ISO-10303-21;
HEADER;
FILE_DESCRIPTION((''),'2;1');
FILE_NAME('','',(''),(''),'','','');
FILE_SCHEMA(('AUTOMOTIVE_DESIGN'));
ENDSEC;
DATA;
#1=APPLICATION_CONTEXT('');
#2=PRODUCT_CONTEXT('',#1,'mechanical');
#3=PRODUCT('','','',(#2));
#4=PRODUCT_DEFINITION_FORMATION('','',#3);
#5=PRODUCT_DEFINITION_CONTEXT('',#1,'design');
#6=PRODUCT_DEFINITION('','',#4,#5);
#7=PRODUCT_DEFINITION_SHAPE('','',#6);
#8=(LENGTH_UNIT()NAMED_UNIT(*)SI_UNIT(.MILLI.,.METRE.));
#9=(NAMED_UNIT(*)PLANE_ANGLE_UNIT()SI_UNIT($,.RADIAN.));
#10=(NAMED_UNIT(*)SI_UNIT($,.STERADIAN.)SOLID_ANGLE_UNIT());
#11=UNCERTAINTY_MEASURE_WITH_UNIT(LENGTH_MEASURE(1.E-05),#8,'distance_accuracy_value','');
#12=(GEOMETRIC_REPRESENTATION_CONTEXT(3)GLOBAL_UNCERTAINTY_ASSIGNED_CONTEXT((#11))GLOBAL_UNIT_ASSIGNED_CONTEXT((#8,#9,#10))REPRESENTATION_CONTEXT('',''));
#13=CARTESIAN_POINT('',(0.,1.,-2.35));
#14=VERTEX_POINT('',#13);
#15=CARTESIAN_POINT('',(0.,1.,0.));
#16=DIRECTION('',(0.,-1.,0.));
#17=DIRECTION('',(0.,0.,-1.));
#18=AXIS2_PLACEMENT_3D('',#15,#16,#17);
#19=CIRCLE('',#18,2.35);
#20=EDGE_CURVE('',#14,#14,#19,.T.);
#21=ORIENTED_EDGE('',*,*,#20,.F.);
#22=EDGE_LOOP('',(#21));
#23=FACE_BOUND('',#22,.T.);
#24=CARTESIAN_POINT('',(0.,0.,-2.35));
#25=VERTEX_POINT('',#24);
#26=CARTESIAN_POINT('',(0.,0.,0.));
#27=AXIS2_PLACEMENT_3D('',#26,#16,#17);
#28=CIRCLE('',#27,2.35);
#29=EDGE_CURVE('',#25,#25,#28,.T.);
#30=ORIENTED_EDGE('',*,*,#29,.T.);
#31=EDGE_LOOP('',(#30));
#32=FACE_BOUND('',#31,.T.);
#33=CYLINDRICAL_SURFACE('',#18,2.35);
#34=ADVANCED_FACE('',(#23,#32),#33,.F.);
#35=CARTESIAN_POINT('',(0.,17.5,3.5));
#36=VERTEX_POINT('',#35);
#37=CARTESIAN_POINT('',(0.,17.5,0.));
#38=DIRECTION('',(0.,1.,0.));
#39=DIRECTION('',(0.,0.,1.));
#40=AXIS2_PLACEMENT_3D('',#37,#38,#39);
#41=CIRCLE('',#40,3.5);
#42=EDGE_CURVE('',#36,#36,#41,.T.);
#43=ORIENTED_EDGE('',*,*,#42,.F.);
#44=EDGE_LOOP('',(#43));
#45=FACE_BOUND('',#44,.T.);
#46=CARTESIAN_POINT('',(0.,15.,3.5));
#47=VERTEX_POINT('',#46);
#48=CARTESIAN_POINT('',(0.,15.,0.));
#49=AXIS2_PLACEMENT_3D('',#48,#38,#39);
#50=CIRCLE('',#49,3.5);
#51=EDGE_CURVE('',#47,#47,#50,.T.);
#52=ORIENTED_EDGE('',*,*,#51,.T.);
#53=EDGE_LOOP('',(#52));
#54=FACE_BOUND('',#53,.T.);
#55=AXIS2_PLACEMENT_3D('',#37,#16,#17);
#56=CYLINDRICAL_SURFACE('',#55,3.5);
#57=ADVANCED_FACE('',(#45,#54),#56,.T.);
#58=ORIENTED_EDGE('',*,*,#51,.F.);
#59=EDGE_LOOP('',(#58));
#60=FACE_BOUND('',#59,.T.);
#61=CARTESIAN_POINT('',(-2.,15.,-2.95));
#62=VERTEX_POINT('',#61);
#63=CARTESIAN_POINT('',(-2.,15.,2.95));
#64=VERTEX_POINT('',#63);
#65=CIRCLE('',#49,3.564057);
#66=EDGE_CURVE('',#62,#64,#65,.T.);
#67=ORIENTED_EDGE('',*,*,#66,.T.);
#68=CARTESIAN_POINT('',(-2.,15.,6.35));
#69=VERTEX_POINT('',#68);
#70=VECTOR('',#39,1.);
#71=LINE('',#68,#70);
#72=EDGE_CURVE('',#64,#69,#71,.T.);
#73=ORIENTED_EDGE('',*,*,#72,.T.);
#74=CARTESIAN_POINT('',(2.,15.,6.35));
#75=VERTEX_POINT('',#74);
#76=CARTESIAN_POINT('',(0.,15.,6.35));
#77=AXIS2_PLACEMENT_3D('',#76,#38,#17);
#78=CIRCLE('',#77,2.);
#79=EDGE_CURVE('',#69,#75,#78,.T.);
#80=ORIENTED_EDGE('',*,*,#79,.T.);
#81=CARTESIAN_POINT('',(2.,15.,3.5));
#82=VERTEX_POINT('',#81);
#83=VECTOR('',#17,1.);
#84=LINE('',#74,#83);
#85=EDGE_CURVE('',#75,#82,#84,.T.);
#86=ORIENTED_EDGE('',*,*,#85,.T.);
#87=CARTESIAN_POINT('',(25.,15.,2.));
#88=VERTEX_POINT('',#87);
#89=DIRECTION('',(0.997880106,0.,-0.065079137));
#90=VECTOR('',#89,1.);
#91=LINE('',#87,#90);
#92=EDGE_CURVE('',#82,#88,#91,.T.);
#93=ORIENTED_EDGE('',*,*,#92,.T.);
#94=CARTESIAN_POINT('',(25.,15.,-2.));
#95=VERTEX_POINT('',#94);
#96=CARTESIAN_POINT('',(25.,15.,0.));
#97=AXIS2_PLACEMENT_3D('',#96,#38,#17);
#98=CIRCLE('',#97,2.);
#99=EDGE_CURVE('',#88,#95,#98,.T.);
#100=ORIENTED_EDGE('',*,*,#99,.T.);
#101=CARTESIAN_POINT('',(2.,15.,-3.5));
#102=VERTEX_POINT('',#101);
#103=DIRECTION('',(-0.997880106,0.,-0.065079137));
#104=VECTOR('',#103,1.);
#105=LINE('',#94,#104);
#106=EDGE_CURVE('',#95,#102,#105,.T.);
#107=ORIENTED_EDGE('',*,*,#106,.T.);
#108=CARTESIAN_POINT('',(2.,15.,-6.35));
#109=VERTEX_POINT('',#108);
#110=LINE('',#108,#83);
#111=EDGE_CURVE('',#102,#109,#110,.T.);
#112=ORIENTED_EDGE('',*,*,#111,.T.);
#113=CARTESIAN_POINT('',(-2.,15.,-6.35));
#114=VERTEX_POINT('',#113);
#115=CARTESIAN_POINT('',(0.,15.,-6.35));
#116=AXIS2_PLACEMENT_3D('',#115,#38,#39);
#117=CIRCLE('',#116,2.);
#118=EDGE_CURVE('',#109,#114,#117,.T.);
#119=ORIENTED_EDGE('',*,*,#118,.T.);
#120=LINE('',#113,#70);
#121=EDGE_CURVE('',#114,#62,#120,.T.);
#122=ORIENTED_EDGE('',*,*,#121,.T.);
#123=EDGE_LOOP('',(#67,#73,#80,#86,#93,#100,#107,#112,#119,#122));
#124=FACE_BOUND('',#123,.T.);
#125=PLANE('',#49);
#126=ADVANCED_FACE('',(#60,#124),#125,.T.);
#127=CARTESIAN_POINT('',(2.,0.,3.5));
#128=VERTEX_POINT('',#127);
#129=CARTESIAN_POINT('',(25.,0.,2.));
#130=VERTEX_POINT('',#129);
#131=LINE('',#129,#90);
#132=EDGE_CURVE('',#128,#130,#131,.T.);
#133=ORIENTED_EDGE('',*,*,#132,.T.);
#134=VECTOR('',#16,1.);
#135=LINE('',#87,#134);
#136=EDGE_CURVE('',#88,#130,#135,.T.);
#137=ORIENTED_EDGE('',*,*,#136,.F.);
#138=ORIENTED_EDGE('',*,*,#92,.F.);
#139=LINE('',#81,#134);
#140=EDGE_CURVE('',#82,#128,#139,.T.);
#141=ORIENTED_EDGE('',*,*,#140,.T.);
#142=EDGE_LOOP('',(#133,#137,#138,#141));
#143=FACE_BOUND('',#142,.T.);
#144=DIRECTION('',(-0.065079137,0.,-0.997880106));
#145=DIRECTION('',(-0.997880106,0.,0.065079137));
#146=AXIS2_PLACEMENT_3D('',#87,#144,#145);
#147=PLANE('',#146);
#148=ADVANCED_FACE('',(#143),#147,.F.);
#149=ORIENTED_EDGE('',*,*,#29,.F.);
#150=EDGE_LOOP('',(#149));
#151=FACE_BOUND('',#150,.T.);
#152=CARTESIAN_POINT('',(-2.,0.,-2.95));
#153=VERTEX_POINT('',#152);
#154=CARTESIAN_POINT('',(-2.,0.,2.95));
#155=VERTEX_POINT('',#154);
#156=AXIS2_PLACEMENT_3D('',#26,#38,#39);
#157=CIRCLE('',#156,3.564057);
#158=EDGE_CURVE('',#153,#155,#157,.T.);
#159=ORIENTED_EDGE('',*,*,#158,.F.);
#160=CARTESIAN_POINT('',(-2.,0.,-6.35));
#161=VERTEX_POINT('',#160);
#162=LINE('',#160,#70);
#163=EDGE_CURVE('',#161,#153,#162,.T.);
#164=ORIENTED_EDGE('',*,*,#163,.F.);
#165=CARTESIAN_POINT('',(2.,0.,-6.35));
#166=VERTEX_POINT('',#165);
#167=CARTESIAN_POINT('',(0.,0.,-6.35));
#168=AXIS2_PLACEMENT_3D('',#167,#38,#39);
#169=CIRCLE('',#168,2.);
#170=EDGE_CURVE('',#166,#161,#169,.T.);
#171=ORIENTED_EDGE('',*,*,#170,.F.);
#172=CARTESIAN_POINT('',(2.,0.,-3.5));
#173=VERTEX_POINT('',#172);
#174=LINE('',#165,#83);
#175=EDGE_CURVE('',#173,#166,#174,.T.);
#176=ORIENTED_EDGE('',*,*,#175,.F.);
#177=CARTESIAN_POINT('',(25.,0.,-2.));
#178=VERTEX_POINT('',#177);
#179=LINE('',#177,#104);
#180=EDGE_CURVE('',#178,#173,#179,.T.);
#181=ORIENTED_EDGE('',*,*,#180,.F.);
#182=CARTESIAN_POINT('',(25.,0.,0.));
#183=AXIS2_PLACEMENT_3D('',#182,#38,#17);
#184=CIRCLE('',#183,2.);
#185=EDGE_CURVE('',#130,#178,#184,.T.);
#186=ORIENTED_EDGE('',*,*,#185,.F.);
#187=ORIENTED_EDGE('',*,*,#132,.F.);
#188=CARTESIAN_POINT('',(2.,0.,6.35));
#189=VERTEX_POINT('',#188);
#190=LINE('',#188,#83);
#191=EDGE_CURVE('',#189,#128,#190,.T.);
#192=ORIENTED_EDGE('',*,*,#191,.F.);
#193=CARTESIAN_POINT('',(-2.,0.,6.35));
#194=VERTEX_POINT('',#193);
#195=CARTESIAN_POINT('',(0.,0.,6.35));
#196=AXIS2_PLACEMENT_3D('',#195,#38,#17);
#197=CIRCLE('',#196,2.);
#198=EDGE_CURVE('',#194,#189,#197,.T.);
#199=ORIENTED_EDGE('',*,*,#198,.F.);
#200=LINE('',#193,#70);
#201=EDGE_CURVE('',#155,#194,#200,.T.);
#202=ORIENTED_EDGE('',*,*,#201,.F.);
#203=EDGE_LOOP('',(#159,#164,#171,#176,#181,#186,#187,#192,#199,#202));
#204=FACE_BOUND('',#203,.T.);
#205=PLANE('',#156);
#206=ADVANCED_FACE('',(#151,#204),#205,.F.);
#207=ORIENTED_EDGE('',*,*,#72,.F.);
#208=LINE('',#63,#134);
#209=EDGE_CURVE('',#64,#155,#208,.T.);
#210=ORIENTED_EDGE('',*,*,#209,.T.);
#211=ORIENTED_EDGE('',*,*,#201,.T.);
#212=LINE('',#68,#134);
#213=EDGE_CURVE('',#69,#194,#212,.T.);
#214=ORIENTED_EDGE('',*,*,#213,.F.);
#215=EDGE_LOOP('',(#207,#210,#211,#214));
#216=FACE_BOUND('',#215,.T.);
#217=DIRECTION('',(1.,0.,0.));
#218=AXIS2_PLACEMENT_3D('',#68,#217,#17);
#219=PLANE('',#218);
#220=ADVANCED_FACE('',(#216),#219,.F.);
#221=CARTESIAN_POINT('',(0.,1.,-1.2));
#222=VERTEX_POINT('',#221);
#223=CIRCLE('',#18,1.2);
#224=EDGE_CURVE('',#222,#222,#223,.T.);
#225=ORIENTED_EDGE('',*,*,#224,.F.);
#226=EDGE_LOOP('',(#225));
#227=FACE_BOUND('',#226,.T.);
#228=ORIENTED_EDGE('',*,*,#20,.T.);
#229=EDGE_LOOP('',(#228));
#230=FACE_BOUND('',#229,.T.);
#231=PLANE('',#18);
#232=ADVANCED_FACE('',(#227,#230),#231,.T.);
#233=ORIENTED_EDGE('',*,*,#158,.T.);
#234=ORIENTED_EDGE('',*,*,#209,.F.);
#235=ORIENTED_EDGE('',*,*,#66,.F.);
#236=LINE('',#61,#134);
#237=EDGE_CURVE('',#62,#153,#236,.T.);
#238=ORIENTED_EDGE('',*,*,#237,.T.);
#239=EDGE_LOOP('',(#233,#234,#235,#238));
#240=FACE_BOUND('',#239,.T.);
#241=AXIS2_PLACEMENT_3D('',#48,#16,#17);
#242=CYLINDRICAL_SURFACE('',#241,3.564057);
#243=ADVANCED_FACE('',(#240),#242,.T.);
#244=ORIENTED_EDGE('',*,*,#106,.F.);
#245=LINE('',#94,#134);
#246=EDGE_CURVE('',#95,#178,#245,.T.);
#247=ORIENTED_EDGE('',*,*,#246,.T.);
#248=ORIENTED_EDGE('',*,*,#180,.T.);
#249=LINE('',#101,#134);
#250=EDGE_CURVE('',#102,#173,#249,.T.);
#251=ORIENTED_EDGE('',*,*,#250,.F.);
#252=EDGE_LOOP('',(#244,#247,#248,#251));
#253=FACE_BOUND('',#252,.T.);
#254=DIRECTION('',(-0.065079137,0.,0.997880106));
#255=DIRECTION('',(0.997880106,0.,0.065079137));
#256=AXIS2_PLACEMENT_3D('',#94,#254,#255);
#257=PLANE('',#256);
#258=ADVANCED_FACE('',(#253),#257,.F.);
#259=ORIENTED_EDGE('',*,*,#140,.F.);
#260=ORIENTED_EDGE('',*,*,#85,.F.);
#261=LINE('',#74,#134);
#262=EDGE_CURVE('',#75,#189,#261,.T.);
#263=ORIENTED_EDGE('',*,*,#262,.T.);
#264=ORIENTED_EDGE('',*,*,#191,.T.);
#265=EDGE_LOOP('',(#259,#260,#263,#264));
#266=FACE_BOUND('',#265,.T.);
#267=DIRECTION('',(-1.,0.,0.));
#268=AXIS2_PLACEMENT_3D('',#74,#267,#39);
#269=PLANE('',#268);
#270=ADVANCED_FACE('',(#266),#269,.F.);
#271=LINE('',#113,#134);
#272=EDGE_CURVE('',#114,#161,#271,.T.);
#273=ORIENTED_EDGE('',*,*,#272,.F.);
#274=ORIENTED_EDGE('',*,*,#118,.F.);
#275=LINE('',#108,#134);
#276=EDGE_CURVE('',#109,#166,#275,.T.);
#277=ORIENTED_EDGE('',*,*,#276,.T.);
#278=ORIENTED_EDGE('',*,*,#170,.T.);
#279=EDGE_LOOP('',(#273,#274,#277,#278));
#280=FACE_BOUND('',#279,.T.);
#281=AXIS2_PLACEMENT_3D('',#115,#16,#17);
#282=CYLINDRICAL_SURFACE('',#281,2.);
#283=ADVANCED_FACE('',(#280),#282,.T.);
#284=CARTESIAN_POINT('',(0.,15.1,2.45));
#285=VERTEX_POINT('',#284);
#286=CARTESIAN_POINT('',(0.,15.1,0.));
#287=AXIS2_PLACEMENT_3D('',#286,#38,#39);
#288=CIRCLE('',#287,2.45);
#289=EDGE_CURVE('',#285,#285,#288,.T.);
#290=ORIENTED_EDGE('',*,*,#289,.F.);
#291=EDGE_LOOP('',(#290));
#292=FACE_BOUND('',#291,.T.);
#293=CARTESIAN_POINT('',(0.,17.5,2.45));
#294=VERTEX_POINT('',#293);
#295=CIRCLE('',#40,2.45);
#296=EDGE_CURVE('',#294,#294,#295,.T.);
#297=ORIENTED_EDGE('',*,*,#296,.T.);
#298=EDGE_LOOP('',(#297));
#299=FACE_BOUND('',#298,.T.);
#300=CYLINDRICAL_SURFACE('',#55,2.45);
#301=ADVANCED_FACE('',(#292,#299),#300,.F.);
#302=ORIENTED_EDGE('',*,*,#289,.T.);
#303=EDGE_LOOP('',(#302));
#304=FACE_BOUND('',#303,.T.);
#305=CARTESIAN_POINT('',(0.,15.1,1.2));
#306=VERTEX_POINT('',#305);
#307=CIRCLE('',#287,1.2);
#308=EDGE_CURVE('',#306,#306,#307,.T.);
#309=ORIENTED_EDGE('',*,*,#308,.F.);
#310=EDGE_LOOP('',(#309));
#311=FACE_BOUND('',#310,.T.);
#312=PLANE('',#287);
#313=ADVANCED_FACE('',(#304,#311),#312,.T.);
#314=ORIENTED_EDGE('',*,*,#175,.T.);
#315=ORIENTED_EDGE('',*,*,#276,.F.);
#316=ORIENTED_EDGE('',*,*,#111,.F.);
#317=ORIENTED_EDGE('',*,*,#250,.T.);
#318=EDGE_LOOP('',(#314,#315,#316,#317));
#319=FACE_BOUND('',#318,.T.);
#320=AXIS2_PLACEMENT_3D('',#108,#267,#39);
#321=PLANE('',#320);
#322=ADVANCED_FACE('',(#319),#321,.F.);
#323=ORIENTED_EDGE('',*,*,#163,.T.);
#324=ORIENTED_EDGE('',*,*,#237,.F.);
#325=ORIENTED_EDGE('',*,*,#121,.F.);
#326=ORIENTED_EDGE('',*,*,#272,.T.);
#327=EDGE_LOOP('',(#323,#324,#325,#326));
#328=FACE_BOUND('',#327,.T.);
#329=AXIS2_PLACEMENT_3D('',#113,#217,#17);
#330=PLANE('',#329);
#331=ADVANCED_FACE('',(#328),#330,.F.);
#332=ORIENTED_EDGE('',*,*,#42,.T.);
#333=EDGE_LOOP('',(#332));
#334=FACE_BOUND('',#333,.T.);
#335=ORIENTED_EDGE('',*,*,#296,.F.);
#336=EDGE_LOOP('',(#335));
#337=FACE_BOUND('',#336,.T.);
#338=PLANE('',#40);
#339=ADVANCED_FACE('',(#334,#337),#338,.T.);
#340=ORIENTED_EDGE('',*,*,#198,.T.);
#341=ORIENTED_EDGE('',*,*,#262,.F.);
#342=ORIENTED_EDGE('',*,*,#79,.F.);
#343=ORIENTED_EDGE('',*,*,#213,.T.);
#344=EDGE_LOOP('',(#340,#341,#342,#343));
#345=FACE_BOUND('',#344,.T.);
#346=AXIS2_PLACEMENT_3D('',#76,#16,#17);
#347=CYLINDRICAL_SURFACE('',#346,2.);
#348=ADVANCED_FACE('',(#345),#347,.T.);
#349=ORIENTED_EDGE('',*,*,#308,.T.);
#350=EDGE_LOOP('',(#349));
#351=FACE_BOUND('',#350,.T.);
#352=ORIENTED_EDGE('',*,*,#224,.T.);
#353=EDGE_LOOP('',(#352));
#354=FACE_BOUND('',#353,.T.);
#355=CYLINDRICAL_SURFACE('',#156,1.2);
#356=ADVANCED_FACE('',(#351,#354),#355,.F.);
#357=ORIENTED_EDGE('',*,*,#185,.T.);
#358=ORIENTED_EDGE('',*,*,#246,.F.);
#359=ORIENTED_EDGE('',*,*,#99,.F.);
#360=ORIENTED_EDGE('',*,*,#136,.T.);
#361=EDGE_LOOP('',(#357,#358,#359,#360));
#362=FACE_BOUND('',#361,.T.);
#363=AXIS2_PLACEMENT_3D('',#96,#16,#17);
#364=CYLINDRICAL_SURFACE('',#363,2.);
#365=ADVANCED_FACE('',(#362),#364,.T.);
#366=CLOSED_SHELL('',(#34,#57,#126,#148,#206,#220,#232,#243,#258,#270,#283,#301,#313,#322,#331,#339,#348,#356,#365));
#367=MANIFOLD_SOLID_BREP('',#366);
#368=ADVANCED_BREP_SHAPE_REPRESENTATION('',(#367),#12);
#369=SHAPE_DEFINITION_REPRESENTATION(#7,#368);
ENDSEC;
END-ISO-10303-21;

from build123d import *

# Parameters (mm, degrees)
BOSS_EXTRUDE1_DEPTH = 15
SKETCH2_R           = 2.35
CUT_EXTRUDE1_DEPTH  = 1
SKETCH3_R           = 3.5
SKETCH3_R_2         = 2.45
BOSS_EXTRUDE2_DEPTH = 2.5
SKETCH4_R           = 1.2
CUT_EXTRUDE2_DEPTH  = 32.995663769
SKETCH5_R           = 2.45
SKETCH5_R_2         = 1.2
BOSS_EXTRUDE3_DEPTH = 0.1


with BuildPart() as part:
    # Sketch1 → Boss-Extrude1 (new body)
    with BuildSketch(Plane(origin=(0, 0, 0), x_dir=(1, 0, 0), z_dir=(0, 1, 0))):
        with BuildLine():
            Line((2, 6.35), (2, 3.5))
            Line((2, 3.5), (25, 2))
            ThreePointArc((25, 2), (27, 0), (25, -2))
            Line((25, -2), (2, -3.5))
            Line((2, -3.5), (2, -6.35))
            ThreePointArc((2, -6.35), (0, -8.35), (-2, -6.35))
            Line((-2, -6.35), (-2, -2.95))
            ThreePointArc((-2, -2.95), (-3.564056677, 0), (-2, 2.95))
            Line((-2, 2.95), (-2, 6.35))
            ThreePointArc((-2, 6.35), (0, 8.35), (2, 6.35))
        make_face()
    extrude(amount=BOSS_EXTRUDE1_DEPTH)

    # Sketch2 → Cut-Extrude1 (cut)
    with BuildSketch(Plane.XZ):
        with Locations(Location((0, 0, 0), (0, 0, 270))):
            Circle(SKETCH2_R)
    extrude(amount=-CUT_EXTRUDE1_DEPTH, mode=Mode.SUBTRACT)

    # Sketch3 → Boss-Extrude2 (add)
    with BuildSketch(Plane(origin=(0, 15, 0), x_dir=(1, 0, 0), z_dir=(0, 1, 0))):
        with Locations(Location((0, 0, 0), (0, 0, 270))):
            Circle(SKETCH3_R)
        with Locations(Location((0, 0, 0), (0, 0, 270))):
            Circle(SKETCH3_R_2, mode=Mode.SUBTRACT)
    extrude(amount=BOSS_EXTRUDE2_DEPTH)

    # Sketch4 → Cut-Extrude2 (cut, through all)
    with BuildSketch(Plane(origin=(0, 15, 0), x_dir=(1, 0, 0), z_dir=(0, 1, 0))):
        with Locations(Location((0, 0, 0), (0, 0, 270))):
            Circle(SKETCH4_R)
    extrude(amount=-CUT_EXTRUDE2_DEPTH, mode=Mode.SUBTRACT)

    # Sketch5 → Boss-Extrude3 (add)
    with BuildSketch(Plane(origin=(0, 15, 0), x_dir=(1, 0, 0), z_dir=(0, 1, 0))):
        with Locations(Location((0, 0, 0), (0, 0, 270))):
            Circle(SKETCH5_R)
        with Locations(Location((0, 0, 0), (0, 0, 270))):
            Circle(SKETCH5_R_2, mode=Mode.SUBTRACT)
    extrude(amount=BOSS_EXTRUDE3_DEPTH)


solid = part.part
